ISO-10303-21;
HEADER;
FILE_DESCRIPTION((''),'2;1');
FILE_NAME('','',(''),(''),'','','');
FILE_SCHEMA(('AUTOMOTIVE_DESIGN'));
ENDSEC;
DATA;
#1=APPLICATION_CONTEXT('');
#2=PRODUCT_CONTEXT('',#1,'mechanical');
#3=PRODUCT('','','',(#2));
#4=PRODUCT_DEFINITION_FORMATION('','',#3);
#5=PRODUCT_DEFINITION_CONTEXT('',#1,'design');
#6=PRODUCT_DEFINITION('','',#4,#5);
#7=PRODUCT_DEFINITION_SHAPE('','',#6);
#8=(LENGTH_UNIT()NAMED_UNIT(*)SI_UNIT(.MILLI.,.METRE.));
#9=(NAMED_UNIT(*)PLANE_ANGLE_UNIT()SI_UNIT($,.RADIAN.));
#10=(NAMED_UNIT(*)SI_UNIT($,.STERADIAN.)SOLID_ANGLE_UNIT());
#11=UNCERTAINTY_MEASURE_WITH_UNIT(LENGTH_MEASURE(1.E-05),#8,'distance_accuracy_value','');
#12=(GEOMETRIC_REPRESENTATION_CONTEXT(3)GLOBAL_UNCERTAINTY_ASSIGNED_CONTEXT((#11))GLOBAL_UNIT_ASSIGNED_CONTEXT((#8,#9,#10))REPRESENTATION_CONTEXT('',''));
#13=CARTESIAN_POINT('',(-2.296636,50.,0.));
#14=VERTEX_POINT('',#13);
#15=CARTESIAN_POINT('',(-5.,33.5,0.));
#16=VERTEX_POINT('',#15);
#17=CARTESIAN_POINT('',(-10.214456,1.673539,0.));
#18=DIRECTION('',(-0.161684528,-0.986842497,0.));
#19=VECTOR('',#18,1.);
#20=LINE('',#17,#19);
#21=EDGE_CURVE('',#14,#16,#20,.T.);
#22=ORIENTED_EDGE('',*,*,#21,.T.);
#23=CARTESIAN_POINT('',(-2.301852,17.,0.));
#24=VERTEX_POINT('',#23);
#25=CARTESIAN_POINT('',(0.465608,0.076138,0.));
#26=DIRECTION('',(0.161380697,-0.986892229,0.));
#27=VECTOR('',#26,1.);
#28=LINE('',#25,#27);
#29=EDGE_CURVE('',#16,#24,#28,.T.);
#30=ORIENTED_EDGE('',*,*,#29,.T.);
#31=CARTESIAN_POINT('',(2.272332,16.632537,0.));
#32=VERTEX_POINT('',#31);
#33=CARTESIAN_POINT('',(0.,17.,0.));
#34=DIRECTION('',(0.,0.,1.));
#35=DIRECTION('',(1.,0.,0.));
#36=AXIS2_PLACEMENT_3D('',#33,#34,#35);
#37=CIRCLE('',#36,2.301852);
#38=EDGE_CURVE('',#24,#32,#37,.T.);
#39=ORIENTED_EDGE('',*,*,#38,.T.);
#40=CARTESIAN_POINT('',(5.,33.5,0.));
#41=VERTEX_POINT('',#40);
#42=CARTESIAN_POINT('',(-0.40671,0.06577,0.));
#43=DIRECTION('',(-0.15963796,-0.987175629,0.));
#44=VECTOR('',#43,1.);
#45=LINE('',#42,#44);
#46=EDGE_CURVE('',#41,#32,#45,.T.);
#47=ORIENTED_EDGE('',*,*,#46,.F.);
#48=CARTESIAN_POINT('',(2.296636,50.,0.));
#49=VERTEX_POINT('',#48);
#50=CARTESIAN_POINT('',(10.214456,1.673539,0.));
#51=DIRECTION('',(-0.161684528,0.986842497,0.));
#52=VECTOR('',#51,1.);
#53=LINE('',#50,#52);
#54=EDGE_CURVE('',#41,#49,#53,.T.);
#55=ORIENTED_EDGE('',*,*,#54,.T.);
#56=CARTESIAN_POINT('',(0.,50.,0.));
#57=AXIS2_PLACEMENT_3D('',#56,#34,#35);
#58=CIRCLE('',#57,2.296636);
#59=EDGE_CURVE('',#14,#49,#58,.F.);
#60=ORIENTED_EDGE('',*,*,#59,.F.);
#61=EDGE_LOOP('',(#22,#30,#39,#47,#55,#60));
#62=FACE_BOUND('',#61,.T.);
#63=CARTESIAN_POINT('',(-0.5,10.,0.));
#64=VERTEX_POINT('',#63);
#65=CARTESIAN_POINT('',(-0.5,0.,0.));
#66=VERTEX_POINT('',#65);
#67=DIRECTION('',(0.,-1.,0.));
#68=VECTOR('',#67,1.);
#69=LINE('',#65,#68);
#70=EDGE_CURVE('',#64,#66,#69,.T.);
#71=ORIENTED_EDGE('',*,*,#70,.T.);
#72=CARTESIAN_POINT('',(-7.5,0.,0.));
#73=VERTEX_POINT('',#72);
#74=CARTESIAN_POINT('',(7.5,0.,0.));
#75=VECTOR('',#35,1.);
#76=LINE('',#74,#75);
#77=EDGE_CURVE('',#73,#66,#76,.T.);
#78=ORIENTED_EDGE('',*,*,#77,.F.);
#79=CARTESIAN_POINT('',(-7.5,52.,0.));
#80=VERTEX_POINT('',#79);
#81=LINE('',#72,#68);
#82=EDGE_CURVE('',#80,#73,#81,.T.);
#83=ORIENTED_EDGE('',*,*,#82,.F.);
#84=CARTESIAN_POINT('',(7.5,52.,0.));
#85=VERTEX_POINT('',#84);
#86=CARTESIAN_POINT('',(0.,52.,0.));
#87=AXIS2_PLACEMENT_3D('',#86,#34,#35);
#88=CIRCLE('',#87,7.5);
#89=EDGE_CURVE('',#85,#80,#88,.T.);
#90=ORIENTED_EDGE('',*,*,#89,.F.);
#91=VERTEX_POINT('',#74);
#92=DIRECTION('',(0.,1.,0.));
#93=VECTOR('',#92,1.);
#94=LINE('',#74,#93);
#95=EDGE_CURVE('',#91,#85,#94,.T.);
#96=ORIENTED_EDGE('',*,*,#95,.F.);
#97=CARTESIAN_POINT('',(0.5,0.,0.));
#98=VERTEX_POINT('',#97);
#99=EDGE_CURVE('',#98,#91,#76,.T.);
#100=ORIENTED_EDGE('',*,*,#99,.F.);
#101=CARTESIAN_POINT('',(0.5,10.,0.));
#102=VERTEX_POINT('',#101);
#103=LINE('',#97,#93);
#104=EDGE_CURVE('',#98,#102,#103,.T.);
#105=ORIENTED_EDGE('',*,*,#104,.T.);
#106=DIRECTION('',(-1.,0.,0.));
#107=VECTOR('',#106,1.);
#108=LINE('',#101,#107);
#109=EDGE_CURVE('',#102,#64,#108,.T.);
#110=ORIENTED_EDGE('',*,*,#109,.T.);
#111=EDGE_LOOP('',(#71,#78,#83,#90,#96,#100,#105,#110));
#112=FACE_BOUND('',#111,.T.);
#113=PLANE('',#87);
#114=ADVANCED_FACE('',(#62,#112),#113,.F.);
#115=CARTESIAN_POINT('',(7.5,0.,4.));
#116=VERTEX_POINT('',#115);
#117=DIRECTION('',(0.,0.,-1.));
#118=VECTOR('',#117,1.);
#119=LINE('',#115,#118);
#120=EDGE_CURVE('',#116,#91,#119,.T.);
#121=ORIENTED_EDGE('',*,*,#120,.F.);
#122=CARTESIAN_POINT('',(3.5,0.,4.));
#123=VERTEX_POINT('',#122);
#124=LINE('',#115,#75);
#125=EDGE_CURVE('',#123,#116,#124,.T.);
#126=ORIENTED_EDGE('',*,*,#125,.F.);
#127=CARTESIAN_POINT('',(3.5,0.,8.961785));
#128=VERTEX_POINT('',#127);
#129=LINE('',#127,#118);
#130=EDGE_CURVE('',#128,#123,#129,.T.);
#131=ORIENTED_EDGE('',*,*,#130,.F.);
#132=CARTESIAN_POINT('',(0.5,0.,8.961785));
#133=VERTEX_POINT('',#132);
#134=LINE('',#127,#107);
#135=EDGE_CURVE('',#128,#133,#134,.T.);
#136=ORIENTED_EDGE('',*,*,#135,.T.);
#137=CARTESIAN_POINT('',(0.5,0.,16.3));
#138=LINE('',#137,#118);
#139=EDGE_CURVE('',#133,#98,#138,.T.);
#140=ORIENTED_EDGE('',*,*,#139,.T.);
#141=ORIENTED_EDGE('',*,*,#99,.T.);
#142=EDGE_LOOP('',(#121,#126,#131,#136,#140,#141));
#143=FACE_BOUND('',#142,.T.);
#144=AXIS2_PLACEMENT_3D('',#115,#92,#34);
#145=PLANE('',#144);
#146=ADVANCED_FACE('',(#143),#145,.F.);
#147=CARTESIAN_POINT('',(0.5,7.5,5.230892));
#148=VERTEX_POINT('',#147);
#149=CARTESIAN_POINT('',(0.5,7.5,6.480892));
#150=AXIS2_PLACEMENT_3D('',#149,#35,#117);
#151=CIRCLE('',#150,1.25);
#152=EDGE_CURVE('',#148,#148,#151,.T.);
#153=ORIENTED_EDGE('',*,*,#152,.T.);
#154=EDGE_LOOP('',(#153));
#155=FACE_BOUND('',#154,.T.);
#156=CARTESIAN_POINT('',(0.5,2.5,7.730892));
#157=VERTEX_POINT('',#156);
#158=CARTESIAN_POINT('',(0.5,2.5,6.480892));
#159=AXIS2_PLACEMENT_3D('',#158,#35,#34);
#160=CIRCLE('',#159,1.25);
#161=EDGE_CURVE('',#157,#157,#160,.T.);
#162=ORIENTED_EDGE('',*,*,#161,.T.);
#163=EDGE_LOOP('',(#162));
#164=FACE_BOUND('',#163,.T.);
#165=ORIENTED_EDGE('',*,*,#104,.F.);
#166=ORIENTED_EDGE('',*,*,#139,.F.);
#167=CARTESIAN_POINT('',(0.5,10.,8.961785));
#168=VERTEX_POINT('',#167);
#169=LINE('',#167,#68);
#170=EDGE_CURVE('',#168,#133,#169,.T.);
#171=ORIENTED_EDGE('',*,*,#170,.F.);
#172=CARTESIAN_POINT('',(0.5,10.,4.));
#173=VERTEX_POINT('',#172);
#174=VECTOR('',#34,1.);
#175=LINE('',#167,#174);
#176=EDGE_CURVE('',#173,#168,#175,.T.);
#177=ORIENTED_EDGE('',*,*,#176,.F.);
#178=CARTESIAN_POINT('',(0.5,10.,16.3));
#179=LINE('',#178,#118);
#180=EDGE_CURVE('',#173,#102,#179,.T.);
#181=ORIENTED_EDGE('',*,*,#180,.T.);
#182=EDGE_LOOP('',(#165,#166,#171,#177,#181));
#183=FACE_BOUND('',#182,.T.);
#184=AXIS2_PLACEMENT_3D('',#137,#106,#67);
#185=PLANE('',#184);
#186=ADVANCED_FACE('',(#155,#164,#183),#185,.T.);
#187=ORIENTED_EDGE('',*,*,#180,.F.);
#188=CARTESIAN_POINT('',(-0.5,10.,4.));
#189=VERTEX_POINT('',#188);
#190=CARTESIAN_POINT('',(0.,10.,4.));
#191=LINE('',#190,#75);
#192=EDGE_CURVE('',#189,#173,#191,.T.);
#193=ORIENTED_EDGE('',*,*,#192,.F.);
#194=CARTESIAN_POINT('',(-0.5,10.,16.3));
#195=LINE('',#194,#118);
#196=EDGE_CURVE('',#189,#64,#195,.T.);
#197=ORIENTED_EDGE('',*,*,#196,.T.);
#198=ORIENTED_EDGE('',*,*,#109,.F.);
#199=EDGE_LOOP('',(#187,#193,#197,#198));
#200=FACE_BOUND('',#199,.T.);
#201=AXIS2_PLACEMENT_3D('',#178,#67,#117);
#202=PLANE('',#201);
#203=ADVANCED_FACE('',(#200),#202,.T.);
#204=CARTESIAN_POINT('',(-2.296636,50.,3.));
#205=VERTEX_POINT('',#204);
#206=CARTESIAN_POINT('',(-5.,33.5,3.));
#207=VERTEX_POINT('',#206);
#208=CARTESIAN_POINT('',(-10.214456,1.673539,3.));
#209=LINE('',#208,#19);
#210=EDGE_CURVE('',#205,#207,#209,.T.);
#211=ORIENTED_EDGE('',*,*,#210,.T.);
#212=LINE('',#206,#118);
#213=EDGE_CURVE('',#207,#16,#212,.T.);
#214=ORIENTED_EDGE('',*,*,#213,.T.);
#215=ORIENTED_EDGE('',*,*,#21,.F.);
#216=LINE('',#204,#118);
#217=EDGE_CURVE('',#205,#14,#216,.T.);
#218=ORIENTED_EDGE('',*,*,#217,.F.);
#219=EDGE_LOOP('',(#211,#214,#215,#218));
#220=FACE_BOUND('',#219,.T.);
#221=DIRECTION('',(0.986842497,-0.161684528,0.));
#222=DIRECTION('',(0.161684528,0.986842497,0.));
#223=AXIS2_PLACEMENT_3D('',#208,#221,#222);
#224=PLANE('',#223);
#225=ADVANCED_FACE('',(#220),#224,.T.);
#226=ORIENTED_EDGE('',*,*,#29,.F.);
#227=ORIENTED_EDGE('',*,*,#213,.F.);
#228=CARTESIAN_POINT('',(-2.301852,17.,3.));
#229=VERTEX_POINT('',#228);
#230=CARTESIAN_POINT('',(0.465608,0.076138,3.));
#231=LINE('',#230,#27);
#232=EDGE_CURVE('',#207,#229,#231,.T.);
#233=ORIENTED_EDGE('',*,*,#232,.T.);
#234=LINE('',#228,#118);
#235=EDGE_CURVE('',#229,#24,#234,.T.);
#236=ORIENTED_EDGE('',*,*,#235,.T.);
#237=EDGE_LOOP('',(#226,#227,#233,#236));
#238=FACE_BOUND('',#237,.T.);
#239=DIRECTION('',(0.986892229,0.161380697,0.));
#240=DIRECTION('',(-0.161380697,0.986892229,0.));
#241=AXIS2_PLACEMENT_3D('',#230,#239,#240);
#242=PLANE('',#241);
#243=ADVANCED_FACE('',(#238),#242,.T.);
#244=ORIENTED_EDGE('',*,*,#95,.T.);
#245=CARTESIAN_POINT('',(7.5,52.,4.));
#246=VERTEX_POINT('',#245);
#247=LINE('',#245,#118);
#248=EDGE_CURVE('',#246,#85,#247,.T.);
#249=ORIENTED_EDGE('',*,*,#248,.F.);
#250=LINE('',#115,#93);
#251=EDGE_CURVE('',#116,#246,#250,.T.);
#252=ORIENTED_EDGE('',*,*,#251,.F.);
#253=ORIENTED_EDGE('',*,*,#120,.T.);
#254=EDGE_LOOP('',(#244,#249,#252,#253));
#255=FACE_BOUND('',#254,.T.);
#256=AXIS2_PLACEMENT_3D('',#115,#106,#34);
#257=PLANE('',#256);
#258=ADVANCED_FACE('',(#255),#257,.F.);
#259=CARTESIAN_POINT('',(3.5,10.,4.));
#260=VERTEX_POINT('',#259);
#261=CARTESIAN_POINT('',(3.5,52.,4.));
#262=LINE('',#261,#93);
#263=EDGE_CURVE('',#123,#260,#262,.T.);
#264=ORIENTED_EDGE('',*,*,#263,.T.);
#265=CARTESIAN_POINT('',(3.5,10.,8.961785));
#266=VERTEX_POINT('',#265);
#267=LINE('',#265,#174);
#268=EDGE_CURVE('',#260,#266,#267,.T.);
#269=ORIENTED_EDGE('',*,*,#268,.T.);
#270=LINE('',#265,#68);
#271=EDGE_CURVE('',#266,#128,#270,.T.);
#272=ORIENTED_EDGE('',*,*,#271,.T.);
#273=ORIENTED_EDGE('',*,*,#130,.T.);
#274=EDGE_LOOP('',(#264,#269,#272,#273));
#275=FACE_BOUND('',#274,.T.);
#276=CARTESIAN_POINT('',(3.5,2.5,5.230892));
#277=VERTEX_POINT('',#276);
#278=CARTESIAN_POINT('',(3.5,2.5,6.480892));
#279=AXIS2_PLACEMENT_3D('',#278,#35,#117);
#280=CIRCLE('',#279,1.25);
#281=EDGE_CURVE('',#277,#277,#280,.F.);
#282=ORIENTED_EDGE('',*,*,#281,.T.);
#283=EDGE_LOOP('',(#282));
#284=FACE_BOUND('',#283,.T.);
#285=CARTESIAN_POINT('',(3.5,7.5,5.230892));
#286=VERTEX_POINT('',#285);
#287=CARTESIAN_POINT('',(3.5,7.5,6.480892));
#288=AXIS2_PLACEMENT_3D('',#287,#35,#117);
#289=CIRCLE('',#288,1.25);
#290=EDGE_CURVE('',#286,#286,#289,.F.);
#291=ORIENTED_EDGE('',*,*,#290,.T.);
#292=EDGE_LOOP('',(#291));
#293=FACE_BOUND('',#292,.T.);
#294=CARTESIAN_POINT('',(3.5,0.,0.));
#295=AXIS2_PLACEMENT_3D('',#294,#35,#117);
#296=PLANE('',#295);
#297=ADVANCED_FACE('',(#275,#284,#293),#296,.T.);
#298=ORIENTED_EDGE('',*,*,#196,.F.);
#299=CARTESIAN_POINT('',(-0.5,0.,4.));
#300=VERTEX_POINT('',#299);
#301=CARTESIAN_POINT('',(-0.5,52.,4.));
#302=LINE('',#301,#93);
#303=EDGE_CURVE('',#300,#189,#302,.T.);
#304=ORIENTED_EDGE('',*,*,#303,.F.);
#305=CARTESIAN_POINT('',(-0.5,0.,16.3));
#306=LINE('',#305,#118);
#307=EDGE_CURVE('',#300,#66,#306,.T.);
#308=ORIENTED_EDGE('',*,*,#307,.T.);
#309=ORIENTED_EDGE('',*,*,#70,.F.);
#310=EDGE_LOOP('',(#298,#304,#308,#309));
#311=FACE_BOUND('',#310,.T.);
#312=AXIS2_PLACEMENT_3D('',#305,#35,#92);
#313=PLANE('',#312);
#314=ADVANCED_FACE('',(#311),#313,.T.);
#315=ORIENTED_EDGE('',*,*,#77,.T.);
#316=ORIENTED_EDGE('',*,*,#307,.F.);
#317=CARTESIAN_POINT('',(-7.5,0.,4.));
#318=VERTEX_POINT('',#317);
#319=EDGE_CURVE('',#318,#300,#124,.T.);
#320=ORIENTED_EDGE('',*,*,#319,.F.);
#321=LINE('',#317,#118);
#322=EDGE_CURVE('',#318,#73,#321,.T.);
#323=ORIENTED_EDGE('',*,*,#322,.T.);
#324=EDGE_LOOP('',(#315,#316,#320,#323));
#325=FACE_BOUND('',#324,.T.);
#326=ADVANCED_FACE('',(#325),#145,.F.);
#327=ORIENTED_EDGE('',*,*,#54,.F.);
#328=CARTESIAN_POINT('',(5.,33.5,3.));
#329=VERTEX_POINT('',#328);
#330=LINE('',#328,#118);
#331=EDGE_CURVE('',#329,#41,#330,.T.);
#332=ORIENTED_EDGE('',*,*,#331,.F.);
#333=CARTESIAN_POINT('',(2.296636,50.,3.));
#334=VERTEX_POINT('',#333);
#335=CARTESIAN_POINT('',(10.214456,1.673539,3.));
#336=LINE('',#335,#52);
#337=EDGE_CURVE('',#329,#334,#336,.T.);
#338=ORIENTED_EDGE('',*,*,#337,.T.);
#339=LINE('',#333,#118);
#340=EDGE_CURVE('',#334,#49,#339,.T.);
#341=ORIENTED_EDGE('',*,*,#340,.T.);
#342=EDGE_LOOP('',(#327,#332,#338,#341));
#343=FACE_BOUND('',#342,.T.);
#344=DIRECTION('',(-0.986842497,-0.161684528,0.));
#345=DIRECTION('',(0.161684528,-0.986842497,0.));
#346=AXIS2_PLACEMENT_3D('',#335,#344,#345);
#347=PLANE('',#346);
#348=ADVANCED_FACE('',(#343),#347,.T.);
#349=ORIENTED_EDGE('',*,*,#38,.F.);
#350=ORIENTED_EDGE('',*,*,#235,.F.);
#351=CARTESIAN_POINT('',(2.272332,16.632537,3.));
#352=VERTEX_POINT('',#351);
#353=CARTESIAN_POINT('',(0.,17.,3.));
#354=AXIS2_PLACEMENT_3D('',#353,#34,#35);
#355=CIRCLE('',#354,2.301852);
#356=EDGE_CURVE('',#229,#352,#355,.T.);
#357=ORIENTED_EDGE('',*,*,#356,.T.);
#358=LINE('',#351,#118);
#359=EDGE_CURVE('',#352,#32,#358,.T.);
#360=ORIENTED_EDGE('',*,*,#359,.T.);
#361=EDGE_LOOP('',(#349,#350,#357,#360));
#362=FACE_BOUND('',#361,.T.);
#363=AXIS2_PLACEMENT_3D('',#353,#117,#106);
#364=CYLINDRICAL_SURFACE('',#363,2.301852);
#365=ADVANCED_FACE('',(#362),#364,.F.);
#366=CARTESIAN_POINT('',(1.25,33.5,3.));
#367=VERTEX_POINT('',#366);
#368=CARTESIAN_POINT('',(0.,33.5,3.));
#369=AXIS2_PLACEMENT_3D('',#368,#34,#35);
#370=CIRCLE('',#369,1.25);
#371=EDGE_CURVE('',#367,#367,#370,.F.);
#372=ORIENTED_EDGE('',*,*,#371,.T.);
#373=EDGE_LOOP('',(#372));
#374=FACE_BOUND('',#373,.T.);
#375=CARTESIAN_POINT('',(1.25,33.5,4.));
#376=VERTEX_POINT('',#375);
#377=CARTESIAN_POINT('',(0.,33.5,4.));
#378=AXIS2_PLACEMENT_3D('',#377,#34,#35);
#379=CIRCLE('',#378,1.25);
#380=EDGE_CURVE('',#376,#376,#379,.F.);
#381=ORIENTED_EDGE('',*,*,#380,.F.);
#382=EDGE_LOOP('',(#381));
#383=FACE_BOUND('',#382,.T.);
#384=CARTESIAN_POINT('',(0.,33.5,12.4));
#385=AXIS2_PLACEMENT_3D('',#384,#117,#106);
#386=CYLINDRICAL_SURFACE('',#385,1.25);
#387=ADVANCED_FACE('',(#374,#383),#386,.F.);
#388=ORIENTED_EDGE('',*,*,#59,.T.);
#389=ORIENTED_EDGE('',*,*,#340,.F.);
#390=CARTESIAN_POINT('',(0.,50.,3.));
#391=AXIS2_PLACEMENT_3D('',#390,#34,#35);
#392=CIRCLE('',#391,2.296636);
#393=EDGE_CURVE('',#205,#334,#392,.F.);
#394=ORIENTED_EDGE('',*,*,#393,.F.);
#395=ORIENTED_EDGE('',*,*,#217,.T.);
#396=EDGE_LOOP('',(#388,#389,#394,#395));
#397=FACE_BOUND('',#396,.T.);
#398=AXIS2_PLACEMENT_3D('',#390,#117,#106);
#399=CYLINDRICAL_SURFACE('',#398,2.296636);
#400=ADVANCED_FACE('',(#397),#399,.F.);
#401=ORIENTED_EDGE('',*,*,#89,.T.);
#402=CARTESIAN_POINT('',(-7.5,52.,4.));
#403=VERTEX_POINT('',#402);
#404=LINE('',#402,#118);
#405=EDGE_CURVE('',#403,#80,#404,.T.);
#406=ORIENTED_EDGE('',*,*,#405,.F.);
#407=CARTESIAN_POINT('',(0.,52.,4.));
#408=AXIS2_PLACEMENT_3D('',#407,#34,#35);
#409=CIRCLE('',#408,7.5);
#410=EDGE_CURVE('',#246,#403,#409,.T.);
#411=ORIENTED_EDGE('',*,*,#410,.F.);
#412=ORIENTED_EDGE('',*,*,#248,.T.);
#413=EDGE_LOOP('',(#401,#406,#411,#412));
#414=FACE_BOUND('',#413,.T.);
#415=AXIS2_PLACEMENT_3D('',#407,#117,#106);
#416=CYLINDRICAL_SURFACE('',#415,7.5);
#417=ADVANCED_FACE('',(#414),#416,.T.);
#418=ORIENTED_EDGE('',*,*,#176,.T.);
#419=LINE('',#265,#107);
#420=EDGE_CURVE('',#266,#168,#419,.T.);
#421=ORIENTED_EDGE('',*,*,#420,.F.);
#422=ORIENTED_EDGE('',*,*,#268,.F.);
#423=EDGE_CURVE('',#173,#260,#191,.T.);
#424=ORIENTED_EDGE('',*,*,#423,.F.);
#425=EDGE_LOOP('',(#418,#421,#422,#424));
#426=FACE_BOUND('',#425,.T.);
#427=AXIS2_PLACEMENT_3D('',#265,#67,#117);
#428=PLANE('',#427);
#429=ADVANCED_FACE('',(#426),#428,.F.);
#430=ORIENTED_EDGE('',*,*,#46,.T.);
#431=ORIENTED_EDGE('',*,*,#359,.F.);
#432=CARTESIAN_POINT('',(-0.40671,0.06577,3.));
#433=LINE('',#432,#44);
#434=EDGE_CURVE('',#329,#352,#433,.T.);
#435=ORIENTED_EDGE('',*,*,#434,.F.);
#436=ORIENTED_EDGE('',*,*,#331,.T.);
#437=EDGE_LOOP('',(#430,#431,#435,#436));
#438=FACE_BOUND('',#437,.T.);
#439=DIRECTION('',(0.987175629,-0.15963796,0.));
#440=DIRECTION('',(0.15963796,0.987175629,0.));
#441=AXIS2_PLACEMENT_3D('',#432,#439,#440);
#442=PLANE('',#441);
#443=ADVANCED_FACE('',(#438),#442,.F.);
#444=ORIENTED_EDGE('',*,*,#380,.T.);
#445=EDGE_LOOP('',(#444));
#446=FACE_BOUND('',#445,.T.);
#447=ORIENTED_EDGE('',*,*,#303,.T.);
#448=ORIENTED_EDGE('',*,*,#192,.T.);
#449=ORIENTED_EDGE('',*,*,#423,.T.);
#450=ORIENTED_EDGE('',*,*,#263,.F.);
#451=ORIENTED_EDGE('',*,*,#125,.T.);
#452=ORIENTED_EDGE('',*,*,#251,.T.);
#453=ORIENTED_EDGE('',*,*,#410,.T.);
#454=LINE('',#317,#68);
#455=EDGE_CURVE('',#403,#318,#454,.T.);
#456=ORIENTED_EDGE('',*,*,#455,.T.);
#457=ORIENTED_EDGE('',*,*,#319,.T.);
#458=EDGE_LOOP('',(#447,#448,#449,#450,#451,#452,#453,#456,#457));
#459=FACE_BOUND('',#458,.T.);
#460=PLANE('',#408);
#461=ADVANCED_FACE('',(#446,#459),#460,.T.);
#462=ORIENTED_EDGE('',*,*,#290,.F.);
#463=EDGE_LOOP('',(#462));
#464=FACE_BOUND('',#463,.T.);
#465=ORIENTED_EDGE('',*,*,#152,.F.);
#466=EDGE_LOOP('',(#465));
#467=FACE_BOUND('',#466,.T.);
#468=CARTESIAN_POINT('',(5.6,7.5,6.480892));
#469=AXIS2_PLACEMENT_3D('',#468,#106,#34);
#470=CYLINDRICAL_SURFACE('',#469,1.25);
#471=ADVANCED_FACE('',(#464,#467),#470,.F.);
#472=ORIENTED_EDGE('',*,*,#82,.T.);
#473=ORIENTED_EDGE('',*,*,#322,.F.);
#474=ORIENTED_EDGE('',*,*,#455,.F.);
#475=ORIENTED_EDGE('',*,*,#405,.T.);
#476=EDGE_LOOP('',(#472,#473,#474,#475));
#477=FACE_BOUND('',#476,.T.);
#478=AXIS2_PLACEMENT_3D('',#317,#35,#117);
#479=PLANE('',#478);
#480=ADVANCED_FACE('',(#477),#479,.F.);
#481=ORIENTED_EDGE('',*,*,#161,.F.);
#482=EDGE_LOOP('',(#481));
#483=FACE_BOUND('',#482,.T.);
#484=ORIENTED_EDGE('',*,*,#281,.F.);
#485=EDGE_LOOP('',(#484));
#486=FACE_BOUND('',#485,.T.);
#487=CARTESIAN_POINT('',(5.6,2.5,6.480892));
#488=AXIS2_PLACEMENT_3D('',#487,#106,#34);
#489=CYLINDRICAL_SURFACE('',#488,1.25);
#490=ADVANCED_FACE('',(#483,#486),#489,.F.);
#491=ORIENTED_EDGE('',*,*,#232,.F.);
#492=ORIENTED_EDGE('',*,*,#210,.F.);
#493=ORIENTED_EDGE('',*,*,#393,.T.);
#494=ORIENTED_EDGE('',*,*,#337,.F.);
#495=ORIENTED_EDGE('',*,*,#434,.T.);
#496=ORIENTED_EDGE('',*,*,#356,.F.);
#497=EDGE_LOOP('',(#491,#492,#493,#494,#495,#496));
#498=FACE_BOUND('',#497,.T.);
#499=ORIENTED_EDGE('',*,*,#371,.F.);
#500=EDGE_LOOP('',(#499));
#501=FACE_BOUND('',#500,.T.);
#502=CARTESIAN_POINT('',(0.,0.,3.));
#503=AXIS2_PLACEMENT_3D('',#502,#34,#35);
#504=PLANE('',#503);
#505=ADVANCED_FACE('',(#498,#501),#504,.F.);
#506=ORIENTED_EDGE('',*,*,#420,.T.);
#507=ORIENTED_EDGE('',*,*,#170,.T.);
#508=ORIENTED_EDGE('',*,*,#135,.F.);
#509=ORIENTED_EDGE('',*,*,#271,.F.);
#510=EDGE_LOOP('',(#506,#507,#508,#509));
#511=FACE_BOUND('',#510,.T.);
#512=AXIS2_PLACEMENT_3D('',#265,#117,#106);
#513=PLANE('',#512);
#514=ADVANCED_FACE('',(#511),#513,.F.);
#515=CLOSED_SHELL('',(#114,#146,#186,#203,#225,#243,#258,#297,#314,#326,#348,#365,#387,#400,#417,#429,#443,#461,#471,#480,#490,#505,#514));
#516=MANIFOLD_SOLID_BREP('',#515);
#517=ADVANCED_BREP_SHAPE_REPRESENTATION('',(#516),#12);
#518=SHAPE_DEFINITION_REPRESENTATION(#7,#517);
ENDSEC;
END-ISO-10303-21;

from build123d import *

# Parameters (mm, degrees)
EXTRUDE_1_DEPTH     = 4
CUT_EXTRUDE_1_DEPTH = 3
SKETCH_5_R          = 1.25
CUT_EXTRUDE_2_DEPTH = 12.4
SKETCH_6_W          = 1
SKETCH_6_H          = 10
CUT_EXTRUDE_3_DEPTH = 16.3
SKETCH_9_W          = 5
SKETCH_9_H          = 10
EXTRUDE_4_DEPTH     = 3
SKETCH_10_R         = 1.25
CUT_EXTRUDE_4_DEPTH = 5.1


with BuildPart() as part:
    # 草圖1 → 填料-伸長1 (new body)
    with BuildSketch(Plane.XY):
        with BuildLine():
            Line((7.5, 0), (7.5, 52))
            ThreePointArc((7.5, 52), (0, 59.5), (-7.5, 52))
            Line((-7.5, 52), (-7.5, 0))
            Line((-7.5, 0), (7.5, 0))
        make_face()
    extrude(amount=EXTRUDE_1_DEPTH)

    # 草圖3 → 除料-伸長1 (cut)
    with BuildSketch(Plane.XY):
        with BuildLine():
            ThreePointArc((-2.296635758, 50), (0, 52.296635758), (2.296635758, 50))
            Line((2.296635758, 50), (5, 33.5))
            Line((5, 33.5), (2.272331993, 16.632537074))
            ThreePointArc((2.272331993, 16.632537074), (-0.184323371, 14.705540024), (-2.301851795, 17))
            Line((-2.301851795, 17), (-5, 33.5))
            Line((-5, 33.5), (-2.296635758, 50))
        make_face()
    extrude(amount=CUT_EXTRUDE_1_DEPTH, mode=Mode.SUBTRACT)

    # 草圖5 → 除料-伸長2 (cut)
    with BuildSketch(Plane.XY):
        with Locations((0, 33.5)):
            Circle(SKETCH_5_R)
    extrude(amount=CUT_EXTRUDE_2_DEPTH, mode=Mode.SUBTRACT)

    # 草圖6 → 除料-伸長3 (cut)
    with BuildSketch(Plane.XY):
        with Locations((0, 5)):
            Rectangle(SKETCH_6_W, SKETCH_6_H)
    extrude(amount=CUT_EXTRUDE_3_DEPTH, mode=Mode.SUBTRACT)

    # 草圖9 → 填料-伸長4 (add)
    with BuildSketch(Plane(origin=(0.5, 0, 0), x_dir=(0, 0, -1), z_dir=(1, 0, 0))):
        with Locations((-6.46178466, 5)):
            Rectangle(SKETCH_9_W, SKETCH_9_H)
    extrude(amount=EXTRUDE_4_DEPTH)

    # 草圖10 → 除料-伸長4 (cut)
    with BuildSketch(Plane(origin=(0.5, 0, 0), x_dir=(0, 0, -1), z_dir=(1, 0, 0))):
        with Locations((-6.48089233, 7.5)):
            Circle(SKETCH_10_R)
        with Locations((-6.48089233, 2.5)):
            Circle(SKETCH_10_R)
    extrude(amount=CUT_EXTRUDE_4_DEPTH, mode=Mode.SUBTRACT)


solid = part.part
